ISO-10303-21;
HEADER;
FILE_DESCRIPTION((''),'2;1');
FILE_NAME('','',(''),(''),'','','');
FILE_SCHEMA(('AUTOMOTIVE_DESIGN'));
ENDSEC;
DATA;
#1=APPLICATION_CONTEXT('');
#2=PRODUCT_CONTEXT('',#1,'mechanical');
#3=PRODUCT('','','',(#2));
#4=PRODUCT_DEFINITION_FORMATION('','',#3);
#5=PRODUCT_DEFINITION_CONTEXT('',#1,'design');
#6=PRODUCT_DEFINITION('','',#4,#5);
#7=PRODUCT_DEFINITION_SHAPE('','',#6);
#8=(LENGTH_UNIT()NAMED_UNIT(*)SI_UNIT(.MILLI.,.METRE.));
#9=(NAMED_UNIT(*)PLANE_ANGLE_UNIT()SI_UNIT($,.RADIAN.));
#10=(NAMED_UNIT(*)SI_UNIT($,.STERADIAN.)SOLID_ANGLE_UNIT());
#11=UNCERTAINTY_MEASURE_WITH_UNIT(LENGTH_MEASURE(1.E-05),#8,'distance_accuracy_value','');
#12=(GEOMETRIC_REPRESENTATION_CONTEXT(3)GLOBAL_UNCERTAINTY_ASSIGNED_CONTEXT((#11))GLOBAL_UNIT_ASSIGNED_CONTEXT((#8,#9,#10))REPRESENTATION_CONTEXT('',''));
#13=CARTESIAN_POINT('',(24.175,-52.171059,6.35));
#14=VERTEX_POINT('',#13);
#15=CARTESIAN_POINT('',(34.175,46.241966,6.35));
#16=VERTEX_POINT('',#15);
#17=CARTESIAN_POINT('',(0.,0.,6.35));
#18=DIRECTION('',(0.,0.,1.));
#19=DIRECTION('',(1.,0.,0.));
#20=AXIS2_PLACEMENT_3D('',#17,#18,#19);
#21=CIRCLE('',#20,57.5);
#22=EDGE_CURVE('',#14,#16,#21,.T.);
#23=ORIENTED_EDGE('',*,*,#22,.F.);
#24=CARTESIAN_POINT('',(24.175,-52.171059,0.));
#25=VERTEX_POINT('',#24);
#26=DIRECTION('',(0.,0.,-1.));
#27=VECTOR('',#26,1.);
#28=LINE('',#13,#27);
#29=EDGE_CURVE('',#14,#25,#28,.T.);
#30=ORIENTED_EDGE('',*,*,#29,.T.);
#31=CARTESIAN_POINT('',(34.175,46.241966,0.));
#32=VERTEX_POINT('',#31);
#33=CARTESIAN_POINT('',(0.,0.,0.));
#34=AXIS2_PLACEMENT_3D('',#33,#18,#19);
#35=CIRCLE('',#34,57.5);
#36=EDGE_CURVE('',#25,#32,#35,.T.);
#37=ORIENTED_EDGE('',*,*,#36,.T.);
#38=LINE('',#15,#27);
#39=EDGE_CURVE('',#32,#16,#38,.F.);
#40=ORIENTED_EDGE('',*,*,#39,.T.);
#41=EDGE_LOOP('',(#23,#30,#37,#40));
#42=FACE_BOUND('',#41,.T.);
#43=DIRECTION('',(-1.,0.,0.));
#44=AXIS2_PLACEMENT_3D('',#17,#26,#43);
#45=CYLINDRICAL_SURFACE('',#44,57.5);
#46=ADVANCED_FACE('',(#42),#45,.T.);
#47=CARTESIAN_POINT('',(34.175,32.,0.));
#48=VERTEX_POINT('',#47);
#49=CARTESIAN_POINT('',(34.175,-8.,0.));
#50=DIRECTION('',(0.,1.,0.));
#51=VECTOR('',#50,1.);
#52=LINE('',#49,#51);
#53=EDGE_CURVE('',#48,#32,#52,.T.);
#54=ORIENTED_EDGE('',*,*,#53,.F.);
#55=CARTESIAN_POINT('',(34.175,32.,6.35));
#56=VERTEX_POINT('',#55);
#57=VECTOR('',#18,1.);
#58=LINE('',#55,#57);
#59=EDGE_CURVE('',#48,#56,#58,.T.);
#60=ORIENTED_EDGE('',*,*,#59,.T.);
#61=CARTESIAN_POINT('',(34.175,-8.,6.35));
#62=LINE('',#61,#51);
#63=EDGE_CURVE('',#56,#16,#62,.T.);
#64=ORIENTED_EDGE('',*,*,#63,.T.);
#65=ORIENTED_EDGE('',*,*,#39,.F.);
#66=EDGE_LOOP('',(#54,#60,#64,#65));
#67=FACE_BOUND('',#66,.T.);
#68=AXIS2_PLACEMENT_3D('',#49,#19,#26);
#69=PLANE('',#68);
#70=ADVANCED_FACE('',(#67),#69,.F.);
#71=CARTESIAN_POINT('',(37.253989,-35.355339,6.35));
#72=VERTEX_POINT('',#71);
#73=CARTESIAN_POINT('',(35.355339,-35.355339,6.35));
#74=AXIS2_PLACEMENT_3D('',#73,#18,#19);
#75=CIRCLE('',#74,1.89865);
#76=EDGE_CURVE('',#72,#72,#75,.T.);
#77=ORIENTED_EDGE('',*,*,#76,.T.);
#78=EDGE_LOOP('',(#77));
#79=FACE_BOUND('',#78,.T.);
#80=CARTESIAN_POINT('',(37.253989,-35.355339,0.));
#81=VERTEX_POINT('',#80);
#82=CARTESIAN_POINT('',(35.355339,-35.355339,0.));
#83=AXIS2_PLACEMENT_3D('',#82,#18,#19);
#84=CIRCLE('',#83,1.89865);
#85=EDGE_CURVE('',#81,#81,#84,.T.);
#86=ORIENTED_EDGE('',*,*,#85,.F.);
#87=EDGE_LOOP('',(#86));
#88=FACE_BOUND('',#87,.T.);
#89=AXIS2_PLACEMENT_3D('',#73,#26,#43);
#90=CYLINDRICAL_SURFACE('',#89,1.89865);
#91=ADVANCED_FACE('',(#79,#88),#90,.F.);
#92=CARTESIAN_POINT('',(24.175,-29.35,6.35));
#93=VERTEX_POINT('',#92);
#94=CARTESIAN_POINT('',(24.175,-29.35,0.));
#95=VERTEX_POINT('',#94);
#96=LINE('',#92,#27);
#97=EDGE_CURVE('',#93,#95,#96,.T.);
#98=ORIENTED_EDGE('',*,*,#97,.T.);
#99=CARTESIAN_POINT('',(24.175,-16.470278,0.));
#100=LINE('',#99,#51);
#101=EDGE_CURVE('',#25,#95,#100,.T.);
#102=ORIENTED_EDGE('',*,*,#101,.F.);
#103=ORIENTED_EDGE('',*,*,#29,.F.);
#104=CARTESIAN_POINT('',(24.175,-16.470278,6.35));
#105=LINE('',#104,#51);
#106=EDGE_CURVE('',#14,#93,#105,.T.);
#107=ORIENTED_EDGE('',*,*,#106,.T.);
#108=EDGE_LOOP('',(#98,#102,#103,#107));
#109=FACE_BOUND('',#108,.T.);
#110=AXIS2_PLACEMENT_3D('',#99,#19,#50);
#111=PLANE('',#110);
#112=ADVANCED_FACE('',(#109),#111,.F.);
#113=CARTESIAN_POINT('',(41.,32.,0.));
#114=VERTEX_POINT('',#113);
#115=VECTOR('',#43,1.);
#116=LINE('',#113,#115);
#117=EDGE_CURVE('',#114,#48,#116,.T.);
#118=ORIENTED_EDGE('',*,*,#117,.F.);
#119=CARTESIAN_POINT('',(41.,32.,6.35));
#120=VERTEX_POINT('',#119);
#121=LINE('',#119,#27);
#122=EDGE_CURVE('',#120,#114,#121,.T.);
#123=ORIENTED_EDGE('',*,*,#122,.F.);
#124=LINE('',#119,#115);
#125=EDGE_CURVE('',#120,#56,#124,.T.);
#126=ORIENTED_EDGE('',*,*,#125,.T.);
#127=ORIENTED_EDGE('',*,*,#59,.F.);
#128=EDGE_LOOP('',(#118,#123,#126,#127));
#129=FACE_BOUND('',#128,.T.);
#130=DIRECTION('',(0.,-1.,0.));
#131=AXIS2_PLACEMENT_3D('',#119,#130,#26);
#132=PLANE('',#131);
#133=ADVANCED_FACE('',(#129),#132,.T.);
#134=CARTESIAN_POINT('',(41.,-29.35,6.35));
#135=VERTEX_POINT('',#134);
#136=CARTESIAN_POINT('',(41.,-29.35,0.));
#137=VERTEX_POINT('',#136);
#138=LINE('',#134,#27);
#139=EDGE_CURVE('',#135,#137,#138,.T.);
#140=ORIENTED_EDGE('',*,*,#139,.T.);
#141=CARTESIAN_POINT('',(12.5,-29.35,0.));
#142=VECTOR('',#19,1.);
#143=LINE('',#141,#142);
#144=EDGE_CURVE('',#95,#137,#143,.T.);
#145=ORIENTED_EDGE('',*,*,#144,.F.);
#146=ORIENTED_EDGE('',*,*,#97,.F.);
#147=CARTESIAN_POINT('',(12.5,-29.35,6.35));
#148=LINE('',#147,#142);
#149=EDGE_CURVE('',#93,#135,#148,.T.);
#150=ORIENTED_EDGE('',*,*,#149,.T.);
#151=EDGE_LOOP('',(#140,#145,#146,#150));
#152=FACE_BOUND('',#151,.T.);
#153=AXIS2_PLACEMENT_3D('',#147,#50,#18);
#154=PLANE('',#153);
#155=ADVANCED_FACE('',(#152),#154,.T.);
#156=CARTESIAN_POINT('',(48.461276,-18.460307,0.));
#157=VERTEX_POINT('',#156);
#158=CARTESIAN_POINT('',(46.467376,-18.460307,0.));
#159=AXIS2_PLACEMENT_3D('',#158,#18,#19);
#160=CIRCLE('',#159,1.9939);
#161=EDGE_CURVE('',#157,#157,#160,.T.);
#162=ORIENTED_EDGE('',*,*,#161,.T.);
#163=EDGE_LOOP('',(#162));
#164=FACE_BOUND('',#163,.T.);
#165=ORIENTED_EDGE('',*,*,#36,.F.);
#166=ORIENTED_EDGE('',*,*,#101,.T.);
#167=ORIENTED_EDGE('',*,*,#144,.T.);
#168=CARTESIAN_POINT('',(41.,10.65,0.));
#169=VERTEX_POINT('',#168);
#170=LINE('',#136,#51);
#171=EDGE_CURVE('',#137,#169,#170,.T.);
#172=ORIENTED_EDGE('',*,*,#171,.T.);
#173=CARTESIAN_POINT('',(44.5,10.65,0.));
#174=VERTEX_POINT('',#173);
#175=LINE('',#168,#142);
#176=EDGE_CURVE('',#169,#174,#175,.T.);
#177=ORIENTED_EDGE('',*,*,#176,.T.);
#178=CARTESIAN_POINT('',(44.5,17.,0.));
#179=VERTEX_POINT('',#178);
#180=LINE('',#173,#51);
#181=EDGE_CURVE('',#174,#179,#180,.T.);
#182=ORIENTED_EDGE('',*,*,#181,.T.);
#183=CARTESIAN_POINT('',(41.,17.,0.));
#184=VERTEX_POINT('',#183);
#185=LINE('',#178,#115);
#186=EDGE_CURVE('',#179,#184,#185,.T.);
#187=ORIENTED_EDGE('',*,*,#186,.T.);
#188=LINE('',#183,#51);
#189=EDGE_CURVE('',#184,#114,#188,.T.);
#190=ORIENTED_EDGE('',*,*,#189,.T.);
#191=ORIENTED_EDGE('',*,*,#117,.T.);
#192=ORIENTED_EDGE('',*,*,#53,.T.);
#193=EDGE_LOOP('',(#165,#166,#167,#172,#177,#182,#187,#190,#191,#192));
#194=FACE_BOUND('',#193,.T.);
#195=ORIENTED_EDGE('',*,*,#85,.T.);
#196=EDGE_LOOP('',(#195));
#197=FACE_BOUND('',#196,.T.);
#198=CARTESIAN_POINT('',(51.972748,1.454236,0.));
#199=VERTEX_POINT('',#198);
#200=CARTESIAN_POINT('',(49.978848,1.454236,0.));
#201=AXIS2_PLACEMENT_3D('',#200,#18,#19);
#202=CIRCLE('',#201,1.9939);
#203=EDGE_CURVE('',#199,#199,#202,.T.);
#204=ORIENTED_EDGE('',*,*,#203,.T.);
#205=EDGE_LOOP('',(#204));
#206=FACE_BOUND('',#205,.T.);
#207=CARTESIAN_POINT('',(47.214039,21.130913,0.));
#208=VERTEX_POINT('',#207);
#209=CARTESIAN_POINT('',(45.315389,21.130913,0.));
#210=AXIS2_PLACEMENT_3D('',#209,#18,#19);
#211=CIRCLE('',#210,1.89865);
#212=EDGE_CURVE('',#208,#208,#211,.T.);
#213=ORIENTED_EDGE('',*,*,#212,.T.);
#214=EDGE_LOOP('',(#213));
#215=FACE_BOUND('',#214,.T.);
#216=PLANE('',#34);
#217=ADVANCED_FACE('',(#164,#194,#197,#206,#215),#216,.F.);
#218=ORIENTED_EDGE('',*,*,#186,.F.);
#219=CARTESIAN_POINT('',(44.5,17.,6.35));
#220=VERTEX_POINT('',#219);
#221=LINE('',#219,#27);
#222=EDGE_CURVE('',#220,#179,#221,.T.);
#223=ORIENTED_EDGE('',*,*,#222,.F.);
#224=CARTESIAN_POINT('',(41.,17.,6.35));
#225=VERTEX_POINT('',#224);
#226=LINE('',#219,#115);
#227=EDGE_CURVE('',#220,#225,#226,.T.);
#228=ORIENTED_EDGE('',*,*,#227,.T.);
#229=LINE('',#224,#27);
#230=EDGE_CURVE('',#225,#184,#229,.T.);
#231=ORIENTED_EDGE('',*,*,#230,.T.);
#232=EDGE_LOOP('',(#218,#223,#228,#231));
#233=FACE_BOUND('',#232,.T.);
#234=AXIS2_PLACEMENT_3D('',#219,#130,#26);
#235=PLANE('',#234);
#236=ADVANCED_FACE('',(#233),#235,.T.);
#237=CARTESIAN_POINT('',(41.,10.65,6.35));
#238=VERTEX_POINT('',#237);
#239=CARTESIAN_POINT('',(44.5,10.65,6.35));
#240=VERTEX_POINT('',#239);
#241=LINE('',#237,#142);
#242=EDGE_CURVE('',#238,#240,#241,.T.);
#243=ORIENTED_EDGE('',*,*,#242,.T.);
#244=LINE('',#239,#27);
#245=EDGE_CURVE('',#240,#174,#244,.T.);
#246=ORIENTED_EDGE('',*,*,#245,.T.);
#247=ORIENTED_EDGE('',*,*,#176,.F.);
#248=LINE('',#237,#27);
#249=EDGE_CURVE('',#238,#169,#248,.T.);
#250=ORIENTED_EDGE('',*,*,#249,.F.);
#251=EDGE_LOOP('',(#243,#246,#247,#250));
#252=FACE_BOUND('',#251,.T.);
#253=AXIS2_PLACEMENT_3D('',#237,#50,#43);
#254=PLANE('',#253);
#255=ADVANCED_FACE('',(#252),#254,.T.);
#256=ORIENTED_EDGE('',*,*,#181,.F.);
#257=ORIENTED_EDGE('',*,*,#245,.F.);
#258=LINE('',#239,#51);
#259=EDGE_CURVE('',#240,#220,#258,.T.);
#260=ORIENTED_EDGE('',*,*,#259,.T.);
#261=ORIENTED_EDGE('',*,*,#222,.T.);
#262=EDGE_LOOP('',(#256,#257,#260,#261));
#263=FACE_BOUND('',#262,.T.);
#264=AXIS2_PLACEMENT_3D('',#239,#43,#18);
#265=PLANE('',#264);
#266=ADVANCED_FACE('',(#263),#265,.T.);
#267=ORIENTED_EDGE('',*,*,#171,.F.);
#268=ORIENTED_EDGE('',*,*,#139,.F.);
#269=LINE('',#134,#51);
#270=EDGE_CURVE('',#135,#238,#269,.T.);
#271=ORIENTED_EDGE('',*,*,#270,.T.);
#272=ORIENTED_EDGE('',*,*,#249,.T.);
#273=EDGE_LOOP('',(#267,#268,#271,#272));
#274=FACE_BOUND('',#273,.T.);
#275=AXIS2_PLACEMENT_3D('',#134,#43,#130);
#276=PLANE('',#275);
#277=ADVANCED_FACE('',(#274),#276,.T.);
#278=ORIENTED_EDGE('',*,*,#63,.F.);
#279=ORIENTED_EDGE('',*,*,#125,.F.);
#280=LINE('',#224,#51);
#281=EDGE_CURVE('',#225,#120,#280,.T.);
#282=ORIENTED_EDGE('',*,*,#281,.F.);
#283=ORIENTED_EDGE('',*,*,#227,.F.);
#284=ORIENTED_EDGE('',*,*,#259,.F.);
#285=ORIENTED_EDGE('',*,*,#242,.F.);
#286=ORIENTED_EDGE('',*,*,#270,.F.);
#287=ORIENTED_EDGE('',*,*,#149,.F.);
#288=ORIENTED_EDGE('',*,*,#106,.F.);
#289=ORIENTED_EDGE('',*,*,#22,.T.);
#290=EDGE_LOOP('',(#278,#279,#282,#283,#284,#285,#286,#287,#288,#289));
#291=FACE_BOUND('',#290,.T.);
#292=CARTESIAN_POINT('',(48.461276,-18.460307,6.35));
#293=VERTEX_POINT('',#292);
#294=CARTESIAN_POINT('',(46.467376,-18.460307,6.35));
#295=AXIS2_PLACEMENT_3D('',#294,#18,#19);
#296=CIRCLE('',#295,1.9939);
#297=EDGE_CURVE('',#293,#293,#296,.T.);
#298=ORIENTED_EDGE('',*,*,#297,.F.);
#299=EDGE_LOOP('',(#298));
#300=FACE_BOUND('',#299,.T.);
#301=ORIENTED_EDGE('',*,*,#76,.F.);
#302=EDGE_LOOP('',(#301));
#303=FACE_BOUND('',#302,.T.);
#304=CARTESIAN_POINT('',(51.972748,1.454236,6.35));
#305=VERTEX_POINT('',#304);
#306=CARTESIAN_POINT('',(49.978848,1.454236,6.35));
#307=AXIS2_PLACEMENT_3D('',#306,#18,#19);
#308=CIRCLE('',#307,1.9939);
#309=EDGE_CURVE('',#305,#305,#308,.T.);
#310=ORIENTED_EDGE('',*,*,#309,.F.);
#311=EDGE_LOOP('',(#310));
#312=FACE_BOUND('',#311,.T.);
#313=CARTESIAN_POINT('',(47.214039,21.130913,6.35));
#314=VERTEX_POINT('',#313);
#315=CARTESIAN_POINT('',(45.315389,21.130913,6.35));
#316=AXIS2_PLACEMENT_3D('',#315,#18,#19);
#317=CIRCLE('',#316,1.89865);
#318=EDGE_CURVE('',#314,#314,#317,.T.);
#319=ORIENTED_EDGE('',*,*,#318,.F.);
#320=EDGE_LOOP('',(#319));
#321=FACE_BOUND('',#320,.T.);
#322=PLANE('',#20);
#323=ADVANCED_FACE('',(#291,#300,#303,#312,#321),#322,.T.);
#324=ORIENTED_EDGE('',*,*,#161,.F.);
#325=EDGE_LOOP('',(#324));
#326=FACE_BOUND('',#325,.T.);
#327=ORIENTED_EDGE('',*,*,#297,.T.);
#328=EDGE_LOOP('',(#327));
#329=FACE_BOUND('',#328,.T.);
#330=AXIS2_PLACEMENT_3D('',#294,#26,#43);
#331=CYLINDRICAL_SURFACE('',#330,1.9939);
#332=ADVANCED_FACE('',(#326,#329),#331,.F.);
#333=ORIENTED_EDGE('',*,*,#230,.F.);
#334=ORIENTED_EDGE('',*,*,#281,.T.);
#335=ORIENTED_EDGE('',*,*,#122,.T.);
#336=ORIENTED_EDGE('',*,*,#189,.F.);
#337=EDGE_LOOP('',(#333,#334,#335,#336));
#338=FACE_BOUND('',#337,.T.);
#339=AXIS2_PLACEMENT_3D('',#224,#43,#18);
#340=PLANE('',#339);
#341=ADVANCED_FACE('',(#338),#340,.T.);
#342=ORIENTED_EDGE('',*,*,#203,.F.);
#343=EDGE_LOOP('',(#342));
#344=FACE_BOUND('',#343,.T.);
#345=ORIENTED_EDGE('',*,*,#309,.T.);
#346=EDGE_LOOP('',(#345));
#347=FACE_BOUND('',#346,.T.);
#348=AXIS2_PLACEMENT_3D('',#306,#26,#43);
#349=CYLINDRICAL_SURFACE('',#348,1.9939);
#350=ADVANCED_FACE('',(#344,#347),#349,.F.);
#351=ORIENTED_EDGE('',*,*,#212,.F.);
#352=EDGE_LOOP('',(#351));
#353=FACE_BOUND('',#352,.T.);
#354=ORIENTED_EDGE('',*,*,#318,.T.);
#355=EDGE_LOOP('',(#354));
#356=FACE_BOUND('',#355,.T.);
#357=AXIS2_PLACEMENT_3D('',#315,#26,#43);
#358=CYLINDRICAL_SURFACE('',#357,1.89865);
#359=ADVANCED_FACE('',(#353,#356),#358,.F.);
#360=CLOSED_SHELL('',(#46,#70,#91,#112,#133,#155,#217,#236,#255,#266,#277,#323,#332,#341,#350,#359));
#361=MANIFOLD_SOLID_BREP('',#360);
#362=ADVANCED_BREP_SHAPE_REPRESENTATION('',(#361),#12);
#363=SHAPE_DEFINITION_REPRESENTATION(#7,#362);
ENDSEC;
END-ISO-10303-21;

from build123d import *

# Parameters (mm, degrees)
SKETCH1_R           = 57.5
SKETCH1_R_2         = 1.89865
SKETCH1_R_3         = 1.9939
SKETCH1_R_4         = 8
BOSS_EXTRUDE1_DEPTH = 6.35
CUT_EXTRUDE1_DEPTH  = 82.564836173
SKETCH3_W           = 6.35
SKETCH3_H           = 80
CUT_EXTRUDE3_DEPTH  = 82.564836173
CUT_EXTRUDE4_DEPTH  = 82.564836173
CUT_EXTRUDE5_DEPTH  = 78.899883665


with BuildPart() as part:
    # Sketch1 → Boss-Extrude1 (new body)
    with BuildSketch(Plane.XY):
        Circle(SKETCH1_R)
        with Locations((45.315389352, 21.130913087)):
            Circle(SKETCH1_R_2, mode=Mode.SUBTRACT)
        with Locations((46.467376211, -18.460307366)):
            Circle(SKETCH1_R_3, mode=Mode.SUBTRACT)
        Circle(SKETCH1_R_4, mode=Mode.SUBTRACT)
        with Locations((49.978847504, 1.454235937)):
            Circle(SKETCH1_R_3, mode=Mode.SUBTRACT)
        with Locations((0, -40)):
            Circle(SKETCH1_R_3, mode=Mode.SUBTRACT)
        with Locations((0, -50)):
            Circle(SKETCH1_R_2, mode=Mode.SUBTRACT)
        with Locations((-28.284271247, -28.284271247)):
            Circle(SKETCH1_R_3, mode=Mode.SUBTRACT)
        with Locations((-35.355339059, -35.355339059)):
            Circle(SKETCH1_R_2, mode=Mode.SUBTRACT)
        with Locations((-40, 0)):
            Circle(SKETCH1_R_3, mode=Mode.SUBTRACT)
        with Locations((-50, 0)):
            Circle(SKETCH1_R_2, mode=Mode.SUBTRACT)
        with Locations((-28.284271247, 28.284271247)):
            Circle(SKETCH1_R_3, mode=Mode.SUBTRACT)
        with Locations((-35.355339059, 35.355339059)):
            Circle(SKETCH1_R_2, mode=Mode.SUBTRACT)
        with Locations((0, 40)):
            Circle(SKETCH1_R_3, mode=Mode.SUBTRACT)
        with Locations((0, 50)):
            Circle(SKETCH1_R_2, mode=Mode.SUBTRACT)
        with Locations((35.355339059, -35.355339059)):
            Circle(SKETCH1_R_2, mode=Mode.SUBTRACT)
    extrude(amount=BOSS_EXTRUDE1_DEPTH)

    # Sketch2 → Cut-Extrude1 (cut, through all)
    with BuildSketch(Plane.XY):
        Polygon((12.5, -29.35), (41, -29.35), (41, 10.65), (44.5, 10.65), (44.5, 17), (41, 17), (41, 32), (21, 32), (21, 17), (17.5, 17), (17.5, 10.65), (21, 10.65), (21, 5.65), (12.5, 5.65), align=None)
    extrude(amount=CUT_EXTRUDE1_DEPTH, mode=Mode.SUBTRACT)

    # Sketch3 → Cut-Extrude3 (cut, through all)
    with BuildSketch(Plane.XY.offset(6.35)):
        with Locations((31, 32)):
            Rectangle(SKETCH3_W, SKETCH3_H)
    extrude(amount=-CUT_EXTRUDE3_DEPTH, mode=Mode.SUBTRACT)

    # Sketch4 → Cut-Extrude4 (cut, through all)
    with BuildSketch(Plane.XY.offset(6.35)):
        with BuildLine():
            Line((21, -36.5), (21, -16.443021443))
            Line((21, -16.443021443), (24.175, -16.470277755))
            Line((24.175, -16.470277755), (24.175, -57.5))
            Line((24.175, -57.5), (0, -57.5))
            ThreePointArc((0, -57.5), (14.849242405, -51.349242405), (21, -36.5))
        make_face()
        with BuildLine():
            Line((0, 57.5), (24.175, 57.5))
            Line((24.175, 57.5), (24.175, 16.470277755))
            Line((24.175, 16.470277755), (21, 16.443021443))
            Line((21, 16.443021443), (21, 36.5))
            ThreePointArc((21, 36.5), (14.849242405, 51.349242405), (0, 57.5))
        make_face()
    extrude(amount=-CUT_EXTRUDE4_DEPTH, mode=Mode.SUBTRACT)


with BuildPart() as cut_extrude4_piece_1:
    # of the separate pieces the step leaves, piece 1, a body of its own (cut_extrude4_pieces_kept)
    add(part.part.solids().sort_by_distance((24.175, -52.171058787, 0))[0])


with BuildPart() as cut_extrude4_piece_2:
    # of the separate pieces the step leaves, piece 2, a body of its own (cut_extrude4_pieces_kept)
    add(part.part.solids().sort_by_distance((24.175, 52.171058787, 6.35))[0])

    # Sketch5 → Cut-Extrude5 (cut, through all)
    with BuildSketch(Plane.XY.offset(6.35)):
        with BuildLine():
            Line((24.175, 52.171058787), (24.175, 32))
            Line((24.175, 32), (27.825, 32))
            Line((27.825, 32), (27.825, 50.319175023))
            ThreePointArc((27.825, 50.319175023), (26.016482629, 51.277603607), (24.175, 52.171058787))
        make_face()
    extrude(amount=-CUT_EXTRUDE5_DEPTH, mode=Mode.SUBTRACT)


solid = cut_extrude4_piece_1.part
